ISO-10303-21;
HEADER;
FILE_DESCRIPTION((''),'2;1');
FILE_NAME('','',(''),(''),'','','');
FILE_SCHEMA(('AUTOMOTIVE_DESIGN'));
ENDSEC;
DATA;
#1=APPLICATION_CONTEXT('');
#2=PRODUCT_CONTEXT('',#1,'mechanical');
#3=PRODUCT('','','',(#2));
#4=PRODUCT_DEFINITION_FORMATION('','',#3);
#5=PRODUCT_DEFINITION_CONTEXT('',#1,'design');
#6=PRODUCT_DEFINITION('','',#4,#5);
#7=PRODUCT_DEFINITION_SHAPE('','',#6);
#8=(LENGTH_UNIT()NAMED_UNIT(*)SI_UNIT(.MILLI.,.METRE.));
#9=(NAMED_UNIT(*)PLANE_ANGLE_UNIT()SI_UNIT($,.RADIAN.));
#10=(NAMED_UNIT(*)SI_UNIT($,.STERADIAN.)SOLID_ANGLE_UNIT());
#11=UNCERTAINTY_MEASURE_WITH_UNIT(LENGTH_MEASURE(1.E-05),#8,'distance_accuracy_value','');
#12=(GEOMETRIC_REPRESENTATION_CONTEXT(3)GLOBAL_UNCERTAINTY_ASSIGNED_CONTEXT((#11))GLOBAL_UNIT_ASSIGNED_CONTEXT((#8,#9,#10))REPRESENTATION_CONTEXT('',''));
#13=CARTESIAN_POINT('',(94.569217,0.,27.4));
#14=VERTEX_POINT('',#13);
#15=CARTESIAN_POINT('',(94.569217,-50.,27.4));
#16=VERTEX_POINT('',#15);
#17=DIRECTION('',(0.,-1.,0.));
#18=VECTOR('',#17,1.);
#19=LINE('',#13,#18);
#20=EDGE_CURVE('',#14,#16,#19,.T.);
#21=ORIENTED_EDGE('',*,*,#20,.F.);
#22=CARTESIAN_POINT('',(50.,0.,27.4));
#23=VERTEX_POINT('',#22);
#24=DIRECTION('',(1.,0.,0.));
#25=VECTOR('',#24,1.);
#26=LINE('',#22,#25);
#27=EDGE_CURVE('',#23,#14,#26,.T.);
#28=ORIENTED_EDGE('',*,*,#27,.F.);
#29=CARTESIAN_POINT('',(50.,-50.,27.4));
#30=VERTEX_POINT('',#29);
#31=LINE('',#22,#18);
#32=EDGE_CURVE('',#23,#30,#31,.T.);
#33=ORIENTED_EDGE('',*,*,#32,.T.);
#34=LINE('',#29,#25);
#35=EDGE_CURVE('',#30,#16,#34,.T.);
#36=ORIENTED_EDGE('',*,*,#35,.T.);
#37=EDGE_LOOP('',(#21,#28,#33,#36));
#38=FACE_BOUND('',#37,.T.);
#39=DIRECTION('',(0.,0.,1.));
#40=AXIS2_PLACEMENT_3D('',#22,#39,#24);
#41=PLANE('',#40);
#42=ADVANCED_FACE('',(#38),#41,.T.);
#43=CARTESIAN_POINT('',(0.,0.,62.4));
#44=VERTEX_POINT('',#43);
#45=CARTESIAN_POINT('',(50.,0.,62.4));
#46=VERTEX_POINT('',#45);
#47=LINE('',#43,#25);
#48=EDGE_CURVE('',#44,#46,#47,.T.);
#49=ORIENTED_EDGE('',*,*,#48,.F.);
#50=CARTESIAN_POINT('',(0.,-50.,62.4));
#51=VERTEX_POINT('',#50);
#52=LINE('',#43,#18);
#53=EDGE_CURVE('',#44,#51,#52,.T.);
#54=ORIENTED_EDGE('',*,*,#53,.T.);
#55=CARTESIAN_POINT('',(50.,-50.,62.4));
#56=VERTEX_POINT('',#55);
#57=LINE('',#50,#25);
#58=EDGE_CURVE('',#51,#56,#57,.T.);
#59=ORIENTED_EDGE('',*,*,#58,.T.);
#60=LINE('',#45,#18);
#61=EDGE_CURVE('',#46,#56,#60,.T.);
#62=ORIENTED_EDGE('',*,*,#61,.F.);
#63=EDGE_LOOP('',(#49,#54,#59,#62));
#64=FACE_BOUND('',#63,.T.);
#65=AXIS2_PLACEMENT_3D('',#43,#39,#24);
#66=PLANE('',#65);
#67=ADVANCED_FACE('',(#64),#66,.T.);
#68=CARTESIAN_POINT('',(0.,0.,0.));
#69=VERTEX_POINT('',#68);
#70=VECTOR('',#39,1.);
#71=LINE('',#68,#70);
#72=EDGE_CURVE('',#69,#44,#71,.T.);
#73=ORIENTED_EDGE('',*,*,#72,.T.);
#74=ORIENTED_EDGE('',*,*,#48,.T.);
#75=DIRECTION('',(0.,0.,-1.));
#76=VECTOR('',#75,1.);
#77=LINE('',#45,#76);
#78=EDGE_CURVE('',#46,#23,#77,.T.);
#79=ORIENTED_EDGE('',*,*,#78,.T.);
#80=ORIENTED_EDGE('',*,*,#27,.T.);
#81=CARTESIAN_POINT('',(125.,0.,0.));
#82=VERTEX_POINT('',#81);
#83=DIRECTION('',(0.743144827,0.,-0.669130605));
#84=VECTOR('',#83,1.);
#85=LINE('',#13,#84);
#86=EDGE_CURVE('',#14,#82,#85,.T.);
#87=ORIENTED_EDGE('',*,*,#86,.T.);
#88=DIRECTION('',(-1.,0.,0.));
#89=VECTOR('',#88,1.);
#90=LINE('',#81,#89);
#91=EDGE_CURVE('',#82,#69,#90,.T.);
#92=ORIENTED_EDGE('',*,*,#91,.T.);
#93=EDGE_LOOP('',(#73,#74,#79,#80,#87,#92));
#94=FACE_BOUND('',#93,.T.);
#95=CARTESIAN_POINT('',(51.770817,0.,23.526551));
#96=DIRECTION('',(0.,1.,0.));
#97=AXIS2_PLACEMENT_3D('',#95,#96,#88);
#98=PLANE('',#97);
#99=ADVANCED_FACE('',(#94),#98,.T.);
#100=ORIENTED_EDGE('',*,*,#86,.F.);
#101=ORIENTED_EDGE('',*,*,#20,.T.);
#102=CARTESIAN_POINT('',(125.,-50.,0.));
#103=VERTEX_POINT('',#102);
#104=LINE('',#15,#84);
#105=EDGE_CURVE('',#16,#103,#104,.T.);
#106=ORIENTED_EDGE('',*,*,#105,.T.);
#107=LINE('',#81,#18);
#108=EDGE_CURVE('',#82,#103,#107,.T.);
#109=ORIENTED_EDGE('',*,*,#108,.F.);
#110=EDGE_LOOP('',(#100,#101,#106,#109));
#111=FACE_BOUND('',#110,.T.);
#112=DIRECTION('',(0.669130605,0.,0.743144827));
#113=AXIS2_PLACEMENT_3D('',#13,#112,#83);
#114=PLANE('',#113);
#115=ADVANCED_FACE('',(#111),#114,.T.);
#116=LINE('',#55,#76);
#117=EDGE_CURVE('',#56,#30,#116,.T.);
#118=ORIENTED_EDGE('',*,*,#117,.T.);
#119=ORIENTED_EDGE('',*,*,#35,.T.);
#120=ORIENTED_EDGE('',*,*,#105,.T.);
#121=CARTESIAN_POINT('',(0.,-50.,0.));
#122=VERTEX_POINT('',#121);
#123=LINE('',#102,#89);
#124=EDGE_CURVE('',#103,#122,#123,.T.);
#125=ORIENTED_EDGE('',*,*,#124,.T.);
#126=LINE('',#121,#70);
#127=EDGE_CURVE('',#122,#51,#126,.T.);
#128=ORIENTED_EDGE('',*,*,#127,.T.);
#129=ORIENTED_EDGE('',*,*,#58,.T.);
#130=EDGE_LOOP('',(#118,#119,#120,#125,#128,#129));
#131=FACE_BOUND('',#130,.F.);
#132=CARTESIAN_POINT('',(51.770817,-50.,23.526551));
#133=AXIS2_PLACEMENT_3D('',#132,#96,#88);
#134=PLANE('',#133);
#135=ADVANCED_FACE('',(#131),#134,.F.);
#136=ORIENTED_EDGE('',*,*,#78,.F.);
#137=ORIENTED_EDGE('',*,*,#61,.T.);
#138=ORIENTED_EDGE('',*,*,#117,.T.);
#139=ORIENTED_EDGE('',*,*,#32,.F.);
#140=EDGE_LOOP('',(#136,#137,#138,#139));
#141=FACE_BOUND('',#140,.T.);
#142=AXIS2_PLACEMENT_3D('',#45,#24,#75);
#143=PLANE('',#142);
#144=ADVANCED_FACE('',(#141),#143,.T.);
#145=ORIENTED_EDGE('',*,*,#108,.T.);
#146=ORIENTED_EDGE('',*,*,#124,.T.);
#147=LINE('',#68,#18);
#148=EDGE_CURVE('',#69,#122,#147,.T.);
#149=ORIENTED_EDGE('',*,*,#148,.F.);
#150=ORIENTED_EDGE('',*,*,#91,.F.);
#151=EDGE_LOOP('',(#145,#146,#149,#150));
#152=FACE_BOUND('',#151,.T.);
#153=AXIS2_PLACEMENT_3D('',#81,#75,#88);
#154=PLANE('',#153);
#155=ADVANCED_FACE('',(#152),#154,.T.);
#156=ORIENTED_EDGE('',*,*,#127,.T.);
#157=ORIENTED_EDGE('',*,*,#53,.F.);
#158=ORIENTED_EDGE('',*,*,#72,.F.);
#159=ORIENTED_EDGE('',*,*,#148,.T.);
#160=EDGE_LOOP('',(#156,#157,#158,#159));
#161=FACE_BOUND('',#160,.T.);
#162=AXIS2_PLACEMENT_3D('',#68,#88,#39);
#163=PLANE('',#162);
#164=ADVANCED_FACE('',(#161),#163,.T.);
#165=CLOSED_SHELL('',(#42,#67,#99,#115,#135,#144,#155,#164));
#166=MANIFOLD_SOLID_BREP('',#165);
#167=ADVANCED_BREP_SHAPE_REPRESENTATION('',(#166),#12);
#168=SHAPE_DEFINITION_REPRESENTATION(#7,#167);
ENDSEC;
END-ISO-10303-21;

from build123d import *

# Parameters (mm, degrees)
PAD_DEPTH = 50


with BuildPart() as part:
    # Sketch → Pad (new body)
    with BuildSketch(Plane.XZ):
        Polygon((0, 62.4), (50, 62.4), (50, 27.4), (94.569217, 27.4), (125, 0), (0, 0), align=None)
    extrude(amount=PAD_DEPTH)


solid = part.part
